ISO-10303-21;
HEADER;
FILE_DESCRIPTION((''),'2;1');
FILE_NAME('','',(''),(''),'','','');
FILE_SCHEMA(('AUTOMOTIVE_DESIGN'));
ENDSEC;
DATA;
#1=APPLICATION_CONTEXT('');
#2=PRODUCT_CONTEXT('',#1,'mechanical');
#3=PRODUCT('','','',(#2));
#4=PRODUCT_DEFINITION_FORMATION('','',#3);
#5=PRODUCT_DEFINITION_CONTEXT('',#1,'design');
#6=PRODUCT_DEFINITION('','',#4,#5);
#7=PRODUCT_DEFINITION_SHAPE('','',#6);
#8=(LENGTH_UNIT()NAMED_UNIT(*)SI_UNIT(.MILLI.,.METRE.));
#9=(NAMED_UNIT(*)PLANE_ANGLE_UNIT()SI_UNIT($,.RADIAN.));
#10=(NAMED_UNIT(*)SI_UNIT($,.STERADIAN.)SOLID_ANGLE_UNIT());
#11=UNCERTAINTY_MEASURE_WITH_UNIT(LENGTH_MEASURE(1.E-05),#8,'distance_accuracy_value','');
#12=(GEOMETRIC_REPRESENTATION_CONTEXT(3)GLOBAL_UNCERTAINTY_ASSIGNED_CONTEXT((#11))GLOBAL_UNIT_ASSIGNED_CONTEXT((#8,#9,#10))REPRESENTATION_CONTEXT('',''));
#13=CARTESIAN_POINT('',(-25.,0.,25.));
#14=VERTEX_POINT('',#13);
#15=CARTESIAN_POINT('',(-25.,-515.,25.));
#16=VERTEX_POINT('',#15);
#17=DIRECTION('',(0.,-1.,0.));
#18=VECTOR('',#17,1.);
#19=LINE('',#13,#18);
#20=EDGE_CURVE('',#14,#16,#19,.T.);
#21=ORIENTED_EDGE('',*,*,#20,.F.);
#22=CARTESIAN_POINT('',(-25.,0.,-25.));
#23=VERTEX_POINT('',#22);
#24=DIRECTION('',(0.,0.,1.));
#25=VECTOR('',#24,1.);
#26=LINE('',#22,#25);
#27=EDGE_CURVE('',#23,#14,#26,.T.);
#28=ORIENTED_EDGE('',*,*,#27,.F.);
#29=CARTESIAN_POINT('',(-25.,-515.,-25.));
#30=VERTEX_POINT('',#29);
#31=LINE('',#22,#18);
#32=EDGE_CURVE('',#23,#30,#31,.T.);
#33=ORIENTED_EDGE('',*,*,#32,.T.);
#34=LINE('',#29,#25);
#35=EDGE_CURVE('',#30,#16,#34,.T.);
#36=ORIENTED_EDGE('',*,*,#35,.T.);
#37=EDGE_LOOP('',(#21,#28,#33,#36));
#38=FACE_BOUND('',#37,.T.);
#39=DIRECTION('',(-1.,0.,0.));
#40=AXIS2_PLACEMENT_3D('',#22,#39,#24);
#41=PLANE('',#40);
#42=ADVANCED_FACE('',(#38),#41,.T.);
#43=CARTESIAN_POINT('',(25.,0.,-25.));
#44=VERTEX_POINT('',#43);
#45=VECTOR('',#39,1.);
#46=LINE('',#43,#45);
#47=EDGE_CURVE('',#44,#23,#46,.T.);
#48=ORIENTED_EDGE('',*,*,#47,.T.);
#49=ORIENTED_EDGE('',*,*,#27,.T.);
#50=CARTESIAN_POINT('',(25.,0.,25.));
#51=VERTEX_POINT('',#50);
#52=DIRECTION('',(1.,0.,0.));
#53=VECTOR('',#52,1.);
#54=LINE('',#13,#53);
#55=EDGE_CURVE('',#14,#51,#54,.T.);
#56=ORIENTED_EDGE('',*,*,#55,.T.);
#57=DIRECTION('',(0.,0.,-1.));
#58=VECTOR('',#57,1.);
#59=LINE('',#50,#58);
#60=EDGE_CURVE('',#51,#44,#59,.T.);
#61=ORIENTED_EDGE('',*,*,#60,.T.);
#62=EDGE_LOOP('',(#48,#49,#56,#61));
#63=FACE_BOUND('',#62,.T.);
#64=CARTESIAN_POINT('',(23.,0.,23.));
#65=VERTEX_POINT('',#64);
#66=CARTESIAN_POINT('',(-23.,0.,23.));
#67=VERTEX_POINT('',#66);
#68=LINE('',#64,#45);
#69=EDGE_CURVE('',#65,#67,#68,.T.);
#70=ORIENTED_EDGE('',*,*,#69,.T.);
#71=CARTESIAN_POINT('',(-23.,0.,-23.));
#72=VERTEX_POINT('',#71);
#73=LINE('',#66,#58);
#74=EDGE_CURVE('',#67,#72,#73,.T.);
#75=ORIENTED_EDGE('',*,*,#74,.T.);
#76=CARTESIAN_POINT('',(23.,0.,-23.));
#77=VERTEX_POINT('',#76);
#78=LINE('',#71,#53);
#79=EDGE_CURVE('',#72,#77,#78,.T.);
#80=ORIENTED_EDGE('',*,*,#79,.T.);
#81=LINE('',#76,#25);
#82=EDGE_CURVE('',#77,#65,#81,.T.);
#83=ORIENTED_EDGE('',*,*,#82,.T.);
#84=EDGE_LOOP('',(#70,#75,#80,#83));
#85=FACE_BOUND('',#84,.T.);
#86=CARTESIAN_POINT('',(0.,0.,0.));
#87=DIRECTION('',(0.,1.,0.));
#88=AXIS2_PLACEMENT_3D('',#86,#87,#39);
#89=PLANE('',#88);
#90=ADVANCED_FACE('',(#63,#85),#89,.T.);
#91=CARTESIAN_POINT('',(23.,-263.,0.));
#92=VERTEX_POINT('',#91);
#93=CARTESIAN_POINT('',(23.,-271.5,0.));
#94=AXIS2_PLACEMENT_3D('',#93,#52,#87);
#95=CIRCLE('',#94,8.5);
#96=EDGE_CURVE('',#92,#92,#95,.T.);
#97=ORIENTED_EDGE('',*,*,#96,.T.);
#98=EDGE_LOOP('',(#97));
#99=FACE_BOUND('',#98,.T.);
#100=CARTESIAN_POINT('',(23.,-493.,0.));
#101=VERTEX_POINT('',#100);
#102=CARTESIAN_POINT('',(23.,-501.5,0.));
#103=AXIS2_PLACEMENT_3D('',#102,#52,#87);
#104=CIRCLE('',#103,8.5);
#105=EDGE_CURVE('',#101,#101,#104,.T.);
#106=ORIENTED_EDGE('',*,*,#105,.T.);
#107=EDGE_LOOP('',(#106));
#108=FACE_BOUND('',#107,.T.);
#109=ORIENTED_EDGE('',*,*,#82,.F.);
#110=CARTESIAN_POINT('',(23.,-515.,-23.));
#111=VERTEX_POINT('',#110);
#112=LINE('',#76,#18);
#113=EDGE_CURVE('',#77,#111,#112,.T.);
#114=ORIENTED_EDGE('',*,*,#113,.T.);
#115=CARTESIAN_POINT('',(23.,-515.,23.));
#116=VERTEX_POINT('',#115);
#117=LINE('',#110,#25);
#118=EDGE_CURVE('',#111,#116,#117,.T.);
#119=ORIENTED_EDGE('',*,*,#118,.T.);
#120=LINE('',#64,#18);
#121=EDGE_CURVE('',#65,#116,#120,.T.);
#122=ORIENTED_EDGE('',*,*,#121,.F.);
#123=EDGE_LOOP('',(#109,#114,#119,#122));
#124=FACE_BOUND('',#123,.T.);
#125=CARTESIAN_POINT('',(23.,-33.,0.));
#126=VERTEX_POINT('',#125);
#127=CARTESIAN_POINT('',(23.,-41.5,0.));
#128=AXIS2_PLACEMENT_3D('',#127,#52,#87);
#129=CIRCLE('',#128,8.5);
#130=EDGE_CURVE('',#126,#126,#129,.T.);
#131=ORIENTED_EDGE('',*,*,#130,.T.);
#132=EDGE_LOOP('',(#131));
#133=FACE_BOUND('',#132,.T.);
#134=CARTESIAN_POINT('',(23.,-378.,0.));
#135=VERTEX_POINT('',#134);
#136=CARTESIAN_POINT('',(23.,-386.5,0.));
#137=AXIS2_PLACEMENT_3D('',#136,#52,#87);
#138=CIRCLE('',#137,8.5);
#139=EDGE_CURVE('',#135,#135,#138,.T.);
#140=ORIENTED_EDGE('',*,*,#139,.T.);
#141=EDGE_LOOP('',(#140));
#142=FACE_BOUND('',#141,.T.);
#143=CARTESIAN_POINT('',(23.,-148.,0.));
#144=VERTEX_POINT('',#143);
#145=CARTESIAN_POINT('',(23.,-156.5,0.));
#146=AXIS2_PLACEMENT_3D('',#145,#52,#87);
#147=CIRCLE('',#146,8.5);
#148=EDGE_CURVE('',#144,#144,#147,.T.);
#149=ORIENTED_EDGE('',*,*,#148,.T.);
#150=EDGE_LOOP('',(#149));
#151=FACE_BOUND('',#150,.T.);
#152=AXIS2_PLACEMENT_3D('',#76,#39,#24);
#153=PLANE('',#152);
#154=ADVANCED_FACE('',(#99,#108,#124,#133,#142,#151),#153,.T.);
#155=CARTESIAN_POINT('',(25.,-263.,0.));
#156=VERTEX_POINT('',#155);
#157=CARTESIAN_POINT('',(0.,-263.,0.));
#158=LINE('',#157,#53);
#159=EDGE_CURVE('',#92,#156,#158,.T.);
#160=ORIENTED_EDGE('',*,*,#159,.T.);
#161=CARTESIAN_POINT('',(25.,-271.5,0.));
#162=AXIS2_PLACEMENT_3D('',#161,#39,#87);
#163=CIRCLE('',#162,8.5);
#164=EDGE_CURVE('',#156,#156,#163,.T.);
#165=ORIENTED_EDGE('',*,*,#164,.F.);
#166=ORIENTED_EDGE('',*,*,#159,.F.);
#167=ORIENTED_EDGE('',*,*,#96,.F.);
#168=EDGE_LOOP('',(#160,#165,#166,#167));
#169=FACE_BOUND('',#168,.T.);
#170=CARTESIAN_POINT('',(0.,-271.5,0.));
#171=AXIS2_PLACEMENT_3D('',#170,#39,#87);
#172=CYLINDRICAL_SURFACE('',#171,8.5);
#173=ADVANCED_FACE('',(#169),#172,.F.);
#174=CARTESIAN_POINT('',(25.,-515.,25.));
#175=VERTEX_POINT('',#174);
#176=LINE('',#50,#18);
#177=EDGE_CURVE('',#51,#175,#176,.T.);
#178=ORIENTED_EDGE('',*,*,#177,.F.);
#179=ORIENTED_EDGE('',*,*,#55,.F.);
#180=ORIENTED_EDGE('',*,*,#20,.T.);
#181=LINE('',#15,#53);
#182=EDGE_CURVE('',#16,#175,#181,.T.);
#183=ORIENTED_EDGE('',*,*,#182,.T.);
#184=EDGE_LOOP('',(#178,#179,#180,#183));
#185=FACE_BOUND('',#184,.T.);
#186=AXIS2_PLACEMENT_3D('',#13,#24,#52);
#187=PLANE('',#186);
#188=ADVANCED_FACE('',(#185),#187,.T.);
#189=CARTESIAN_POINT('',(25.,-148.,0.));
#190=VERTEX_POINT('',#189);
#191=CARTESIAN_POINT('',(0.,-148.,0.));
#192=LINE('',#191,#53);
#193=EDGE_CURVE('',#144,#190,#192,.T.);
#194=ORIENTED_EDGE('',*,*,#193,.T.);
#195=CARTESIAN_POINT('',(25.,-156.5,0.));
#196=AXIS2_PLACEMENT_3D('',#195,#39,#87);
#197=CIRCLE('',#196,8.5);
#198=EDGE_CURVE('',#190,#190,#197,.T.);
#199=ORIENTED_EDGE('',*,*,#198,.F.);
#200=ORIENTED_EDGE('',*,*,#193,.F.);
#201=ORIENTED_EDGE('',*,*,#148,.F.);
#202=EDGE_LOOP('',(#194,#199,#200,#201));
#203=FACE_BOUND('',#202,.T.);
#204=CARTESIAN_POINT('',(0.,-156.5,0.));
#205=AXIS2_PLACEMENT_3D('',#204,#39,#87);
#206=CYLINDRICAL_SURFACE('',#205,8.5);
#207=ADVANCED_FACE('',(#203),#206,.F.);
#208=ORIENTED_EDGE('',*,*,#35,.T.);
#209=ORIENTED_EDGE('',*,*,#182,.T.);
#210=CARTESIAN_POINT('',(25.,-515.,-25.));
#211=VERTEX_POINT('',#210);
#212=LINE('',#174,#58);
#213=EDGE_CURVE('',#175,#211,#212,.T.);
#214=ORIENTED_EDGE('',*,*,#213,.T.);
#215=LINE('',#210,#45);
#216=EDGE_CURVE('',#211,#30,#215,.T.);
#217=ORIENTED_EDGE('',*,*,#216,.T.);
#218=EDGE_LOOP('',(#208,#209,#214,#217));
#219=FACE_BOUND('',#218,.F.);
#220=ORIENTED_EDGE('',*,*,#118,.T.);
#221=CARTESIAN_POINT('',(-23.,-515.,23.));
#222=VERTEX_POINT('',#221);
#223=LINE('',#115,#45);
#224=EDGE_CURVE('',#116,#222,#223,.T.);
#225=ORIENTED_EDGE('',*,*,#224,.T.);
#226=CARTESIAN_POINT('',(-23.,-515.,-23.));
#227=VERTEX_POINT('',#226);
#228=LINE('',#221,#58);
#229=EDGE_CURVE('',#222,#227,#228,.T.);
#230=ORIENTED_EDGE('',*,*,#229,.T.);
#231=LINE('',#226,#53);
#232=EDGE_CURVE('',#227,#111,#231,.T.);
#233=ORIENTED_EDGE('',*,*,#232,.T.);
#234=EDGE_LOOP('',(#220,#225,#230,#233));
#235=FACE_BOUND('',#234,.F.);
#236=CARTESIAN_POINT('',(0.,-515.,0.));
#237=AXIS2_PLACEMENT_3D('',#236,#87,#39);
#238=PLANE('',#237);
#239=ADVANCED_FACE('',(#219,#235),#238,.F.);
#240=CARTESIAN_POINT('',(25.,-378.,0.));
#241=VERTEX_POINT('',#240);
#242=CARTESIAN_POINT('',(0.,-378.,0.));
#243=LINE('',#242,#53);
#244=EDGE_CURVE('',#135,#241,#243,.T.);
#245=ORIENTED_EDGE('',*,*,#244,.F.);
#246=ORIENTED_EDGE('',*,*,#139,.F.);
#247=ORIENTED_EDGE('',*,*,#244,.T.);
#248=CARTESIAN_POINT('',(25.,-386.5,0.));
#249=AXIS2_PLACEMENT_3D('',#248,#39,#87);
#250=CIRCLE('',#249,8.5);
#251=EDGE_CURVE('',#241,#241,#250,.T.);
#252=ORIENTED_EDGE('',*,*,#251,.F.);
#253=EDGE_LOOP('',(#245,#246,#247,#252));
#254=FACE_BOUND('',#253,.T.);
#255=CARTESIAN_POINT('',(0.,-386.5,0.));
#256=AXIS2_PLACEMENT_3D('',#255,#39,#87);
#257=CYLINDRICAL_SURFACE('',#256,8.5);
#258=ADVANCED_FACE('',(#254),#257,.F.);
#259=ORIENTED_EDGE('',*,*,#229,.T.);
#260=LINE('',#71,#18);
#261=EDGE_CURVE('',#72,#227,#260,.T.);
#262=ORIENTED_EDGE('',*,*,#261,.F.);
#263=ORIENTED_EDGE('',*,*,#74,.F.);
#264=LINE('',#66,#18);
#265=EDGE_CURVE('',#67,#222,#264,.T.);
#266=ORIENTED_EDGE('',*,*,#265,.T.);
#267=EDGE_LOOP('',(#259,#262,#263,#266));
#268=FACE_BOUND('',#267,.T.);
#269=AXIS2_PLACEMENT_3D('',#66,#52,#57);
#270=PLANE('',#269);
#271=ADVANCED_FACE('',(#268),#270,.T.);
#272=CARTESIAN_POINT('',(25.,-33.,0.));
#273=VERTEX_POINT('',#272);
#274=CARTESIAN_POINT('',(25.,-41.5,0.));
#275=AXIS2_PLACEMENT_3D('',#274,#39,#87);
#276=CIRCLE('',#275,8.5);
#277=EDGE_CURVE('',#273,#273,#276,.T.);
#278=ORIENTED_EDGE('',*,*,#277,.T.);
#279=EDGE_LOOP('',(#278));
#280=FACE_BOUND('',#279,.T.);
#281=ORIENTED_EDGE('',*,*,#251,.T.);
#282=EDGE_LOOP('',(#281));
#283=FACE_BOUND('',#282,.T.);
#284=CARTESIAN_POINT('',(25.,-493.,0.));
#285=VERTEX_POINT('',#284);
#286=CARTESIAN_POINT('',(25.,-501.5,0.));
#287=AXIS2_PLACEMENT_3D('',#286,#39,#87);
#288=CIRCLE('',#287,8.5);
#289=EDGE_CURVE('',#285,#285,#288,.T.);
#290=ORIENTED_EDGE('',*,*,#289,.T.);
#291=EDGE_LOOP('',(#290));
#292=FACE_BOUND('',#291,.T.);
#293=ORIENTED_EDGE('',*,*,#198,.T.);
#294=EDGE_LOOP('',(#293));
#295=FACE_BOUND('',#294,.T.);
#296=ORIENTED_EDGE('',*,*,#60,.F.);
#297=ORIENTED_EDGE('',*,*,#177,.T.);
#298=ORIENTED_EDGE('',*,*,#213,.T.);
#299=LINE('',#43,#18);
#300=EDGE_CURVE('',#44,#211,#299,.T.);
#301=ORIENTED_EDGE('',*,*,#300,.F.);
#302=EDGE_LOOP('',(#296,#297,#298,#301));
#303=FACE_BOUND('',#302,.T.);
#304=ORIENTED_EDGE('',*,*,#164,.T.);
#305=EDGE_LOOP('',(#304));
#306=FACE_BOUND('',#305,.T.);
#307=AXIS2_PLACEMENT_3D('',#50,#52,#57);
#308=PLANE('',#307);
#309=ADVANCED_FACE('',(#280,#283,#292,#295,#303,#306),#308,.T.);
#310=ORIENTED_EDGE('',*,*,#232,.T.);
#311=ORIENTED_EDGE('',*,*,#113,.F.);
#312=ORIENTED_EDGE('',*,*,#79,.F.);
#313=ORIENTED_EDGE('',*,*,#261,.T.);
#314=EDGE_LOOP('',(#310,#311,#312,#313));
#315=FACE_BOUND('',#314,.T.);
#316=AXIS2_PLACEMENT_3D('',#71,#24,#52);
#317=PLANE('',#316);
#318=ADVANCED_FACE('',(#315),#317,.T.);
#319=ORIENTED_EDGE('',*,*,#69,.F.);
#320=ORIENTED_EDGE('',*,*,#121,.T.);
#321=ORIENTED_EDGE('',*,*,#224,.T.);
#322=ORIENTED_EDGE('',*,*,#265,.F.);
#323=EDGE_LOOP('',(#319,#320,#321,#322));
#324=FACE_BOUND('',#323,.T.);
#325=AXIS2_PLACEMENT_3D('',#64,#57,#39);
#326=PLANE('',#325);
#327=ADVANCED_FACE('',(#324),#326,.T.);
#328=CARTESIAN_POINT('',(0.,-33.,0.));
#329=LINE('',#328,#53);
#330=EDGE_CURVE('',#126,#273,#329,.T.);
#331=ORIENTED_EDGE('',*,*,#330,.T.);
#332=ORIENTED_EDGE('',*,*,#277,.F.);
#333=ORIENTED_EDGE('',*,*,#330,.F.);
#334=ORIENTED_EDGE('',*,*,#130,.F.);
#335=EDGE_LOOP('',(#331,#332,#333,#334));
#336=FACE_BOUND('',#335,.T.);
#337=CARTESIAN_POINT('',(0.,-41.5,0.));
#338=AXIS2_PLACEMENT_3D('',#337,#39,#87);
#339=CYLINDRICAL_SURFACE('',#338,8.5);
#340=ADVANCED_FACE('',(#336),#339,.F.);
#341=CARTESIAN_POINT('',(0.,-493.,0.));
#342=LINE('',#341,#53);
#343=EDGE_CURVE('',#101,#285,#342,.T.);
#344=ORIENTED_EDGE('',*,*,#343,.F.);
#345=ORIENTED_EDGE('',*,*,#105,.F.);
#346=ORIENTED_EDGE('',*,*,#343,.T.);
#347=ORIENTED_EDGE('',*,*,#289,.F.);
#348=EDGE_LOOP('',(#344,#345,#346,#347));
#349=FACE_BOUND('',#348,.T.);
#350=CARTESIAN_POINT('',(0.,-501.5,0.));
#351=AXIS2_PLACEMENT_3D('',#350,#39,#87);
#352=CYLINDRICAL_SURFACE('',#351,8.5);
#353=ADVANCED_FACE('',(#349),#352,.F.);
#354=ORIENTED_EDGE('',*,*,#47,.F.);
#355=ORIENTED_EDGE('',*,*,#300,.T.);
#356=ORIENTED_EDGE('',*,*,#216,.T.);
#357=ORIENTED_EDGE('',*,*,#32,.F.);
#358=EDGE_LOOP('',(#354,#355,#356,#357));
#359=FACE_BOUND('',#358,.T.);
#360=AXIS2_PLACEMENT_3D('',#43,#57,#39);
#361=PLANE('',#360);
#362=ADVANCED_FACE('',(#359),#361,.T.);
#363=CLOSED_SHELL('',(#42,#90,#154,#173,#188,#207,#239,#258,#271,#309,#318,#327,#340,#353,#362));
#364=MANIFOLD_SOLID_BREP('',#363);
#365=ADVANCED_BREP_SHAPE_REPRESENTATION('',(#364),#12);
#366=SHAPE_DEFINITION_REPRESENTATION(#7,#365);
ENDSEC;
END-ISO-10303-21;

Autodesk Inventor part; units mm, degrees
ref_plane "YZ Plane" through (0, 0, 0) normal (1, 0, 0) x (0, 1, 0)
ref_plane "XZ Plane" through (0, 0, 0) normal (0, 1, 0) x (-1, 0, 0)
ref_plane "XY Plane" through (0, 0, 0) normal (0, 0, 1) x (1, 0, 0)
sketch "Sketch9" plane through (0, 0, 0) normal (0, 1, 0) x (-1, 0, 0)
  line L0 (25, 25) -> (-25, 25)
  line L1 (-25, 25) -> (-25, -25)
  line L2 (-25, -25) -> (25, -25)
  line L3 (25, -25) -> (25, 25)
  line L4 (25, 25) -> (-25, -25) construction
  line L5 (-25, 25) -> (25, -25) construction
  line L6 (-23, 23) -> (23, 23)
  line L7 (23, 23) -> (23, -23)
  line L8 (23, -23) -> (-23, -23)
  line L9 (-23, -23) -> (-23, 23)
  point P0 (0, 0)
  dimension "d172" = 50
  dimension "d173" = 50
  dimension "d174" = 2
extrude "Extrusion3" add sketch "Sketch9" against normal blind 515
sketch "Sketch10" plane through (0, 0, 0) normal (1, 0, 0) x (0, 1, 0)
  line L0 (0, 25) -> (0, -25) construction
  line L1 (0, 25) -> (-515, 25) construction
  line L2 (-515, -25) -> (-515, 25) construction
  line L3 (0, -25) -> (-515, -25) construction
  line L4 (-510, 8.5) -> (-493, 8.5)
  line L5 (-493, 8.5) -> (-493, -8.5)
  line L6 (-493, -8.5) -> (-510, -8.5)
  line L7 (-510, -8.5) -> (-510, 8.5)
  line L8 (-510, 8.5) -> (-493, -8.5) construction
  line L9 (-493, 8.5) -> (-510, -8.5) construction
  circle A0 centre (-501.5, 0) radius 8.5
  line L10 (0, 25) -> (0, -25) projected
  point P0 (0, 0)
  point P1 (0, 0)
  point P2 (-515, 0)
  dimension "d177" = 17
  dimension "d178" = 17
  dimension "d191" = 5
extrude "Extrusion4" cut sketch "Sketch10" along normal through all contours A0
pattern_linear "Rectangular Pattern4" count 5 spacing 115 along (0, 1, 0) of "Extrusion4"
properties part number "TKS 3537 FDS WAY tube7" material "Stainless Steel"
